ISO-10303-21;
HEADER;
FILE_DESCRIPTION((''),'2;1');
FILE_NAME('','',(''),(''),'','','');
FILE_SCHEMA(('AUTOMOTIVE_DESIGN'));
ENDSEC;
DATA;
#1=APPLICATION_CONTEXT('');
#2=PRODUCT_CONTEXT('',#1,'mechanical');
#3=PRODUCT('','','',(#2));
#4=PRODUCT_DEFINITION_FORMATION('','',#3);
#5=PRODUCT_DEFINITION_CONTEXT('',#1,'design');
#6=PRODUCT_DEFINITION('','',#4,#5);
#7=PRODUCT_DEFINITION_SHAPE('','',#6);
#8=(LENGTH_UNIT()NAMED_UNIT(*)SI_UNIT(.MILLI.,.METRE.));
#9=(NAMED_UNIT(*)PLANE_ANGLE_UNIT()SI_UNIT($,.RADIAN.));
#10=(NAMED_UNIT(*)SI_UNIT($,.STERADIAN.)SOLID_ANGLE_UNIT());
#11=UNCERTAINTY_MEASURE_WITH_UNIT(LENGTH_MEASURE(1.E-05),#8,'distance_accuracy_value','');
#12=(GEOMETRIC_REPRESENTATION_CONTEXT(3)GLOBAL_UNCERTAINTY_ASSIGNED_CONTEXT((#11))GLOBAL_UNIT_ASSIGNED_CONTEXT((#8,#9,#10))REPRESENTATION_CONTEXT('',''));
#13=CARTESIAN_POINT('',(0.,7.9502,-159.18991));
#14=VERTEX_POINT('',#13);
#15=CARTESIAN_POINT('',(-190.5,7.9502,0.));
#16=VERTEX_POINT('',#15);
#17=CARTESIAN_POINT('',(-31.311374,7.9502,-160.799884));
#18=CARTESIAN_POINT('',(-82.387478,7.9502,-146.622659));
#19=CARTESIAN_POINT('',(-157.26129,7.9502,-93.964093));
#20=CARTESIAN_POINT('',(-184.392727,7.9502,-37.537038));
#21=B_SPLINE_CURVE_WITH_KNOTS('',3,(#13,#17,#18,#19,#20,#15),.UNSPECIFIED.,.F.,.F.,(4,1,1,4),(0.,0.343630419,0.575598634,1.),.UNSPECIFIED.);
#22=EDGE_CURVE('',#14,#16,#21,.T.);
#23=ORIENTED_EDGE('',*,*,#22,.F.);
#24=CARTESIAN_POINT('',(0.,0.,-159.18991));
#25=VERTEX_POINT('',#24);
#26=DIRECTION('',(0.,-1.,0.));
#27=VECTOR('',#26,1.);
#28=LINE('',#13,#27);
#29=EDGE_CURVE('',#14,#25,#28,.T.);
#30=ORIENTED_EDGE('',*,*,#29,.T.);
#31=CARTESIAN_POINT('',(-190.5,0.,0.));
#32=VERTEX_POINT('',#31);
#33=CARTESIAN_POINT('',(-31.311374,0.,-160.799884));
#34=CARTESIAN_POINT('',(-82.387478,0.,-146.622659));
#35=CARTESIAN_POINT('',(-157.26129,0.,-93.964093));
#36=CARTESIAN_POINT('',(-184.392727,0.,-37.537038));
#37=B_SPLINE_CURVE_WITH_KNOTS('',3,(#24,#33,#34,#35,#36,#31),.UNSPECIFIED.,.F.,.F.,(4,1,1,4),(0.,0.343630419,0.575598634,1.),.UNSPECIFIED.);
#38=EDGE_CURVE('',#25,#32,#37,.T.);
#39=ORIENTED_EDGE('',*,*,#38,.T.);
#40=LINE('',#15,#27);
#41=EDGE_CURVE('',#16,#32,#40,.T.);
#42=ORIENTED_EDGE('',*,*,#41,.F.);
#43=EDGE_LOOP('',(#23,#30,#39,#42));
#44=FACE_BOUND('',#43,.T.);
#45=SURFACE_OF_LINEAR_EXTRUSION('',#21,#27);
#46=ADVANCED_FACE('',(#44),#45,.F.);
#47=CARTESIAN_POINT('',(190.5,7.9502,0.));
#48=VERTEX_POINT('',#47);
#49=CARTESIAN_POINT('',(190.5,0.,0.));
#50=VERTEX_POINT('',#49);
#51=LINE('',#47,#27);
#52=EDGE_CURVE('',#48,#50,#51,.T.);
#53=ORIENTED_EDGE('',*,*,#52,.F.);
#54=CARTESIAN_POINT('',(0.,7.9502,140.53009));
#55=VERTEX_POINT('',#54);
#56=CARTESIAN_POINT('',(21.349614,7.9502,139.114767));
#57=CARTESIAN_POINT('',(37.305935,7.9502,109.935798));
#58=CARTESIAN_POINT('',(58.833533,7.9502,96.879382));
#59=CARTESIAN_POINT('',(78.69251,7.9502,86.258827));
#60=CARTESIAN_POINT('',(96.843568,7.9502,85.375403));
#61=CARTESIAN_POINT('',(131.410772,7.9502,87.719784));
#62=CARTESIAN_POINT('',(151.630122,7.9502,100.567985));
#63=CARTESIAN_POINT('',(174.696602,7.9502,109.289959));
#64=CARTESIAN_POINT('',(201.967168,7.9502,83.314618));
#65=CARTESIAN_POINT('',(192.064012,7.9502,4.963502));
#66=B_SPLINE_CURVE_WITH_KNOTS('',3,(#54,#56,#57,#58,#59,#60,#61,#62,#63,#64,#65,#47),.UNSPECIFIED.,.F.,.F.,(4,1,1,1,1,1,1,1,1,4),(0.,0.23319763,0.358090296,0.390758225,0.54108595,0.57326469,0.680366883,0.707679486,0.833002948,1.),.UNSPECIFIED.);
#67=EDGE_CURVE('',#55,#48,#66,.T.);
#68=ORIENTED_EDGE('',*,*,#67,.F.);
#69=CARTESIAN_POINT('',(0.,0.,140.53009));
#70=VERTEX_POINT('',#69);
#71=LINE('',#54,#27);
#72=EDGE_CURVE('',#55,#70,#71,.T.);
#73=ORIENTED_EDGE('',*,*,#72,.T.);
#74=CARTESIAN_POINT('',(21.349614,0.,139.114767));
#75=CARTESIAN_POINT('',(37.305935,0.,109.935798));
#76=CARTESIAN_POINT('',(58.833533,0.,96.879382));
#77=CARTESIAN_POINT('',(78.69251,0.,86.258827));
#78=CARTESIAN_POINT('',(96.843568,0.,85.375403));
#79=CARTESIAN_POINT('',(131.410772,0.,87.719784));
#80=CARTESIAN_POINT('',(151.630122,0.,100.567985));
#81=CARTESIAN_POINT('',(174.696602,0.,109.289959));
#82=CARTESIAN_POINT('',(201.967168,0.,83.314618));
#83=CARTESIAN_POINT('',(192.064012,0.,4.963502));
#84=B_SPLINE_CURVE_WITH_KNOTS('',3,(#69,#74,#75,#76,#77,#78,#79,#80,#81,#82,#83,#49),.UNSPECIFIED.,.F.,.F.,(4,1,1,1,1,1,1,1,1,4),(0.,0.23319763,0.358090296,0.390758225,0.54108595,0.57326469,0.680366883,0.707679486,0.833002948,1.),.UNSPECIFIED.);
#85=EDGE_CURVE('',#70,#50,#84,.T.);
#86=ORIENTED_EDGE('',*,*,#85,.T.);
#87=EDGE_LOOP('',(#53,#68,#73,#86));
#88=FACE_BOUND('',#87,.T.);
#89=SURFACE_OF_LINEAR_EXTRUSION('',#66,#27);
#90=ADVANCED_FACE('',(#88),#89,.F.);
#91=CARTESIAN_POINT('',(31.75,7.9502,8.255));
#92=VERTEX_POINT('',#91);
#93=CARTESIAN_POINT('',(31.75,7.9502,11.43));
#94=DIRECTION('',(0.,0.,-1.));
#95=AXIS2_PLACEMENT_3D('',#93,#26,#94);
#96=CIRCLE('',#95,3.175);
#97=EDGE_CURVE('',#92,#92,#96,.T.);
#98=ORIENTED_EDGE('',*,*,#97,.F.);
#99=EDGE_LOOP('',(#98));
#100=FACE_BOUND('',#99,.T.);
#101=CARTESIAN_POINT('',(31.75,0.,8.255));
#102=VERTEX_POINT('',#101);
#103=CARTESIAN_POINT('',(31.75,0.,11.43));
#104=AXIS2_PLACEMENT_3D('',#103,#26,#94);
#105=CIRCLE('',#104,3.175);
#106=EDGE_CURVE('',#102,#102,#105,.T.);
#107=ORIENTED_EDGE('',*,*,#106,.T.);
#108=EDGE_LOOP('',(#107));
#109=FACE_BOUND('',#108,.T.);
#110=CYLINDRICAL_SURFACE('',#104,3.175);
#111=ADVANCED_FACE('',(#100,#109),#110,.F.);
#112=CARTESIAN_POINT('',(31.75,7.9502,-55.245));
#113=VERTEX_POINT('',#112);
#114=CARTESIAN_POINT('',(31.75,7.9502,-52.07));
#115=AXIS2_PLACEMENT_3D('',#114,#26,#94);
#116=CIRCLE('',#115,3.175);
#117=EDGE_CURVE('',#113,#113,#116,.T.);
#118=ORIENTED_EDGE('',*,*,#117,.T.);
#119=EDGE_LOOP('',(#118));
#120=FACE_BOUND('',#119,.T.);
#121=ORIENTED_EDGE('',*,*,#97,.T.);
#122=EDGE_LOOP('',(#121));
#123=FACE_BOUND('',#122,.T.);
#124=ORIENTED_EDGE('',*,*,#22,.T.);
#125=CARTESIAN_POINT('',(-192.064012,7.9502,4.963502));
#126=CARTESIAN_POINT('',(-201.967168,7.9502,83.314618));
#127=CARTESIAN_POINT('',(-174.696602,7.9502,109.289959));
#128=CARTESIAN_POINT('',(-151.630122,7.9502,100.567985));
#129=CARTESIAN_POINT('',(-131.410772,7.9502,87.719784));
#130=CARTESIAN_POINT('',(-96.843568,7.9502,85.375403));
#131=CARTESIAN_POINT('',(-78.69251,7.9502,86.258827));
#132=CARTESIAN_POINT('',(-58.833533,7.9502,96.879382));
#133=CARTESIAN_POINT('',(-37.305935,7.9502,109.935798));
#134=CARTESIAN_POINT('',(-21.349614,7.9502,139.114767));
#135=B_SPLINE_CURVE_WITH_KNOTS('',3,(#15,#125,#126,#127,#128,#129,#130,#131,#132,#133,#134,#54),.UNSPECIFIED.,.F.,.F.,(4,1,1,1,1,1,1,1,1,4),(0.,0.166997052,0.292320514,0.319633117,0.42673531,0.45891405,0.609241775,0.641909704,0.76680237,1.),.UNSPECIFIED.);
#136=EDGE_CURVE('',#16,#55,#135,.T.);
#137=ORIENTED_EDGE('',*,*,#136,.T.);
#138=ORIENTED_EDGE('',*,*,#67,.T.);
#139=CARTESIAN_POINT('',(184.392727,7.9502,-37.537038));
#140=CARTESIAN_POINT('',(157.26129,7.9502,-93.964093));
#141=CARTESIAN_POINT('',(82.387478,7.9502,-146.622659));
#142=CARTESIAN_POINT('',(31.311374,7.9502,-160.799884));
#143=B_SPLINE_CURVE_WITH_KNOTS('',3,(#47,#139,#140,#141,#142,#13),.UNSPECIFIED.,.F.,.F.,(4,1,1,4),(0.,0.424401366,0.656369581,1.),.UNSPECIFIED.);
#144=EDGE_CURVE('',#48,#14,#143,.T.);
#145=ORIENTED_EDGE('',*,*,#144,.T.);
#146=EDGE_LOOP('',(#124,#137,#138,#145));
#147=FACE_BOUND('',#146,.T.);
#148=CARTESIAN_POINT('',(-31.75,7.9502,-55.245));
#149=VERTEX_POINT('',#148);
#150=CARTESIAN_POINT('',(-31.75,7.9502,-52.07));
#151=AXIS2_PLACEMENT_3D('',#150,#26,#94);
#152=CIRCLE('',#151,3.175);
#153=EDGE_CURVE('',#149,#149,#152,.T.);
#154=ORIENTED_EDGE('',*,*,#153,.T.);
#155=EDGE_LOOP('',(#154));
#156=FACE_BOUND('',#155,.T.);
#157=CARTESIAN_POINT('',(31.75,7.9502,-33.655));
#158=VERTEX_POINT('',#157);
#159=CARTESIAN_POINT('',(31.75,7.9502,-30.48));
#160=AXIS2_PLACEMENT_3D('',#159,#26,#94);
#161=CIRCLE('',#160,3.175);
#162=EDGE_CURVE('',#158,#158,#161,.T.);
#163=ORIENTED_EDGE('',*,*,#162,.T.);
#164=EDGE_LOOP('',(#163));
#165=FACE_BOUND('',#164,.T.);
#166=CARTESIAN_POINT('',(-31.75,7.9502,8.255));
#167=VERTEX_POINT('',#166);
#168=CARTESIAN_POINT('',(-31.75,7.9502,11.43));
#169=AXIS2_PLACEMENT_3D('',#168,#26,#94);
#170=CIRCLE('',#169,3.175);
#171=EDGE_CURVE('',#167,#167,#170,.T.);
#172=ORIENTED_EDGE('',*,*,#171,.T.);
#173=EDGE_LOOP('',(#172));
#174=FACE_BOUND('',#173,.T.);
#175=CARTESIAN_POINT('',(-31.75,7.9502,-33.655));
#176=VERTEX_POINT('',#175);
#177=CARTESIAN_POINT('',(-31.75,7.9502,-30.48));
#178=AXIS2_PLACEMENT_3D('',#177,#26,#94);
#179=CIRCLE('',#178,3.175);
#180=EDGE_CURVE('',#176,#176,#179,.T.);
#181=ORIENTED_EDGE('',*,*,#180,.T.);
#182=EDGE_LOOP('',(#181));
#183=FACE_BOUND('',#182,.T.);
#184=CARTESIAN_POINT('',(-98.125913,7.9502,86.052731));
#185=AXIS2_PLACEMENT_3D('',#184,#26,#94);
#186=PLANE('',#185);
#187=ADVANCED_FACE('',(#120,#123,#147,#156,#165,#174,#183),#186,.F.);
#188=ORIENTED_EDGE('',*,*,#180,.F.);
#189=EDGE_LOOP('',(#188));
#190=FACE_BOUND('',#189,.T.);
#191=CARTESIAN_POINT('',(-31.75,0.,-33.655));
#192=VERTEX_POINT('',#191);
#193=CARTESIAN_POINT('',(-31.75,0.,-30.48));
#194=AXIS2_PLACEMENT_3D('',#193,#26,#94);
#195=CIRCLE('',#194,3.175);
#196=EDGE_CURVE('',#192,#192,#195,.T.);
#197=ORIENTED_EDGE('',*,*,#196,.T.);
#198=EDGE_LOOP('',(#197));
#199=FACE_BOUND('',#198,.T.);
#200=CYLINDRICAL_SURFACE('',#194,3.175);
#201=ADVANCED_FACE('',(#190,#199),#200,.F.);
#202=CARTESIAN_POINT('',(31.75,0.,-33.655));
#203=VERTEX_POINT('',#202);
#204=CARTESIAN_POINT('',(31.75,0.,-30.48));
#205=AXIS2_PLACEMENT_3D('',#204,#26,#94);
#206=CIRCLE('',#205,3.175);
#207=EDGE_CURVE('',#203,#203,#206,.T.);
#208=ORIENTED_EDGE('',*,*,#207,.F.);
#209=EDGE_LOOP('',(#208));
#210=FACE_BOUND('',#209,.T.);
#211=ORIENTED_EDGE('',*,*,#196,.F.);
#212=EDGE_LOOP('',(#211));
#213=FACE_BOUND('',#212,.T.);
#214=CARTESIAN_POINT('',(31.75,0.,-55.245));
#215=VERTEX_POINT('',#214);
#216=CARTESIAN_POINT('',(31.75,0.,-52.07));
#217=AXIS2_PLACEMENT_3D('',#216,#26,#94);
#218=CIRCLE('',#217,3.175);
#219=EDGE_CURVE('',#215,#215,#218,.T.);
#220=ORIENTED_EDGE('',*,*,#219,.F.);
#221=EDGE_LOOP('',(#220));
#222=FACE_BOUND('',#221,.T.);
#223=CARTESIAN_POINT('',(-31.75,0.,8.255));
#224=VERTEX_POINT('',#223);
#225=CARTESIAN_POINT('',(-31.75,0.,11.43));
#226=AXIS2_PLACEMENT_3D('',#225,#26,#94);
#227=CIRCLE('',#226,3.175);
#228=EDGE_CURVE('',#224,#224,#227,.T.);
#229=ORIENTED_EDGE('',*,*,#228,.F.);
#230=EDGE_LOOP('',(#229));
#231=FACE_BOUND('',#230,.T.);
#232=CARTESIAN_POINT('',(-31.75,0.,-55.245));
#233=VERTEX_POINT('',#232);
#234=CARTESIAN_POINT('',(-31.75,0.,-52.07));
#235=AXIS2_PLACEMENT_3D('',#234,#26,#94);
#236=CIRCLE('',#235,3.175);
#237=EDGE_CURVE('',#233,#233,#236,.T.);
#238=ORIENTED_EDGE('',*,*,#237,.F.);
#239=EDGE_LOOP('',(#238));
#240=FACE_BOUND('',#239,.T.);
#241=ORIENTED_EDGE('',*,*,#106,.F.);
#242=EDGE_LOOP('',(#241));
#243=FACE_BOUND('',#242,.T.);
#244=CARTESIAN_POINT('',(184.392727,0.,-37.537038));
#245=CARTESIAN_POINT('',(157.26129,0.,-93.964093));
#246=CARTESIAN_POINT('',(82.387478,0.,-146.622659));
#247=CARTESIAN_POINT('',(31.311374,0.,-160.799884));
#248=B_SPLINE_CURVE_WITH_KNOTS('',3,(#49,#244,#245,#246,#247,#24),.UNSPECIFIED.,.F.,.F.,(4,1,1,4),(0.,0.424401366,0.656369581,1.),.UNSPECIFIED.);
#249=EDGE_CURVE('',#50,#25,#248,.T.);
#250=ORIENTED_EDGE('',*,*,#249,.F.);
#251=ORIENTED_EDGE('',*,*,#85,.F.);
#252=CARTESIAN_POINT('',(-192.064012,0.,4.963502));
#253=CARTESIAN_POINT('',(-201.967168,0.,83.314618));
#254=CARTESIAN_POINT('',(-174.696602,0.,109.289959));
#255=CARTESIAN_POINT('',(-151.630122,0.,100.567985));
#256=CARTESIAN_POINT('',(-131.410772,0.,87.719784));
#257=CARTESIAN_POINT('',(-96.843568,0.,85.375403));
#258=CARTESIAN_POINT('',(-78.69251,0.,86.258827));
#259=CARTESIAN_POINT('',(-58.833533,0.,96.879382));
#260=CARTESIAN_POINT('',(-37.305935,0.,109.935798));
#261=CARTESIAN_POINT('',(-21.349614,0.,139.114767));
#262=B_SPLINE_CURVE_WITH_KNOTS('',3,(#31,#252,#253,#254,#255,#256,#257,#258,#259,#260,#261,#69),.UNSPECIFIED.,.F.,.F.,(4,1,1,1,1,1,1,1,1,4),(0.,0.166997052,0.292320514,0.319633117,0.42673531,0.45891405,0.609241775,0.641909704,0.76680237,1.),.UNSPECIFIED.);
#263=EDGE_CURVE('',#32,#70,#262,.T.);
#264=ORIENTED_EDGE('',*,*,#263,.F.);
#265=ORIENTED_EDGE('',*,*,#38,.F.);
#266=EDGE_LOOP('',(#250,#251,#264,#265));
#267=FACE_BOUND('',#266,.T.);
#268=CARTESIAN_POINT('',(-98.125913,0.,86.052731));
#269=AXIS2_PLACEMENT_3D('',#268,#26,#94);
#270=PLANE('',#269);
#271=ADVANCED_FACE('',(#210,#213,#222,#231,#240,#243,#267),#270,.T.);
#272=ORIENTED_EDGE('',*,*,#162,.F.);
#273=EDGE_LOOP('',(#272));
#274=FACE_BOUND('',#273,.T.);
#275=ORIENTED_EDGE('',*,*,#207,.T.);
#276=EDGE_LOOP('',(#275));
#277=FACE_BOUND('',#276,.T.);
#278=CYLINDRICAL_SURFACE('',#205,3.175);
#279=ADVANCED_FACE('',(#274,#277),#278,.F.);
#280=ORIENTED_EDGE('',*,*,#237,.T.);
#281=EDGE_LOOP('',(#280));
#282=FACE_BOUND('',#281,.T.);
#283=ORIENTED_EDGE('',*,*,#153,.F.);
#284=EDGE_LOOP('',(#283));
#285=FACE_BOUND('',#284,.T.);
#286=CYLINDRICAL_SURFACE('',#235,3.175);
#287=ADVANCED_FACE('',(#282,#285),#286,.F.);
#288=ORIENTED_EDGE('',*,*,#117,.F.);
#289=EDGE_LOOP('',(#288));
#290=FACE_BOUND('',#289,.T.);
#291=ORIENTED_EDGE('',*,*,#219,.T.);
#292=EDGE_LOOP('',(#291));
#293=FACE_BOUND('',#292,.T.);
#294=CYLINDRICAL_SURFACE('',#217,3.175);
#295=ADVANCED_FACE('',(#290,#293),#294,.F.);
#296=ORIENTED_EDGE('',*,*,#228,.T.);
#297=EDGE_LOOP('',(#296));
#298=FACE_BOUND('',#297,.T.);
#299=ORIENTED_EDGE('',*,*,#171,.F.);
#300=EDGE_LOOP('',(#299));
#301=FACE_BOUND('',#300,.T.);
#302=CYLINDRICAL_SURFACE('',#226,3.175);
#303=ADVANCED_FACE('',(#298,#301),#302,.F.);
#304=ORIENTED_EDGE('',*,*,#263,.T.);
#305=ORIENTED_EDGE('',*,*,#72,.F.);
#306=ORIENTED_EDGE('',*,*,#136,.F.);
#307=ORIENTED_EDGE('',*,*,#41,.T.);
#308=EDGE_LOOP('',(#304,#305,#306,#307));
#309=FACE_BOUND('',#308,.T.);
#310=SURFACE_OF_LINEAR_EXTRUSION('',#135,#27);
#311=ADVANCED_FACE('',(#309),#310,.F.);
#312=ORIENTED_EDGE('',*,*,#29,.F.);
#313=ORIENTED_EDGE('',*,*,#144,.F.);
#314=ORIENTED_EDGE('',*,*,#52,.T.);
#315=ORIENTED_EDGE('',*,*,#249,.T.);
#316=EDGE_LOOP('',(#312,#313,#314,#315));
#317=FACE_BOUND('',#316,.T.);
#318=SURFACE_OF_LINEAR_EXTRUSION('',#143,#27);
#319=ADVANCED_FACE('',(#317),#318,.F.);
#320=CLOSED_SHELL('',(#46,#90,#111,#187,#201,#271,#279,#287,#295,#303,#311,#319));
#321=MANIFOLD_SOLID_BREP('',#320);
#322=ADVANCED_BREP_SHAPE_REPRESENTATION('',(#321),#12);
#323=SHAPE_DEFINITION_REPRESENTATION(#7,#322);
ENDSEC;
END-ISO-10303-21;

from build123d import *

# Parameters (mm, degrees)
BOSS_EXTRUDE1_DEPTH         = 7.9502
F_1_4_0_25_DIAMETER_HOLE1_D = 6.35


with BuildPart() as part:
    # Sketch3 → Boss-Extrude1 (new body)
    with BuildSketch(Plane(origin=(0, 0, 0), x_dir=(1, 0, 0), z_dir=(0, 1, 0))):
        with BuildLine():
            add(Edge.make_bspline(
                [(-190.5, 0), (-184.392726562, 37.537038237), (-157.261289847, 93.964093485), (-82.387478202, 146.622658841), (-31.311374143, 160.799884185), (0, 159.189909928)],
                knots=[0, 0, 0, 0, 0.424401366, 0.656369581, 1, 1, 1, 1], degree=3))
            add(Edge.make_bspline(
                [(190.5, 0), (184.392726562, 37.537038237), (157.261289847, 93.964093485), (82.387478202, 146.622658841), (31.311374143, 160.799884185), (0, 159.189909928)],
                knots=[0, 0, 0, 0, 0.424401366, 0.656369581, 1, 1, 1, 1], degree=3))
            add(Edge.make_bspline(
                [(190.5, 0), (192.064011793, -4.963501926), (201.967167766, -83.314618311), (174.696602041, -109.289958804), (151.630121659, -100.567984898), (131.410771519, -87.719783961), (96.843567628, -85.375403377), (78.692510144, -86.25882742), (58.833533072, -96.87938247), (37.30593461, -109.935798162), (21.349613946, -139.114767457), (0, -140.530090072)],
                knots=[0, 0, 0, 0, 0.166997052, 0.292320514, 0.319633117, 0.42673531, 0.45891405, 0.609241775, 0.641909704, 0.76680237, 1, 1, 1, 1], degree=3))
            add(Edge.make_bspline(
                [(-190.5, 0), (-192.064011793, -4.963501926), (-201.967167766, -83.314618311), (-174.696602041, -109.289958804), (-151.630121659, -100.567984898), (-131.410771519, -87.719783961), (-96.843567628, -85.375403377), (-78.692510144, -86.25882742), (-58.833533072, -96.87938247), (-37.30593461, -109.935798162), (-21.349613946, -139.114767457), (0, -140.530090072)],
                knots=[0, 0, 0, 0, 0.166997052, 0.292320514, 0.319633117, 0.42673531, 0.45891405, 0.609241775, 0.641909704, 0.76680237, 1, 1, 1, 1], degree=3))
        make_face()
    extrude(amount=BOSS_EXTRUDE1_DEPTH)

    # 1/4 (0.25) Diameter Hole1 (through all)
    with Locations(Plane(origin=(0, 0, 0), x_dir=(-1, 0, 0), z_dir=(0, -1, 0))):
        with Locations((-31.75, 52.07), (31.75, 52.07), (31.75, -11.43), (-31.75, -11.43), (-31.75, 30.48), (31.75, 30.48)):
            Hole(F_1_4_0_25_DIAMETER_HOLE1_D / 2)


solid = part.part
